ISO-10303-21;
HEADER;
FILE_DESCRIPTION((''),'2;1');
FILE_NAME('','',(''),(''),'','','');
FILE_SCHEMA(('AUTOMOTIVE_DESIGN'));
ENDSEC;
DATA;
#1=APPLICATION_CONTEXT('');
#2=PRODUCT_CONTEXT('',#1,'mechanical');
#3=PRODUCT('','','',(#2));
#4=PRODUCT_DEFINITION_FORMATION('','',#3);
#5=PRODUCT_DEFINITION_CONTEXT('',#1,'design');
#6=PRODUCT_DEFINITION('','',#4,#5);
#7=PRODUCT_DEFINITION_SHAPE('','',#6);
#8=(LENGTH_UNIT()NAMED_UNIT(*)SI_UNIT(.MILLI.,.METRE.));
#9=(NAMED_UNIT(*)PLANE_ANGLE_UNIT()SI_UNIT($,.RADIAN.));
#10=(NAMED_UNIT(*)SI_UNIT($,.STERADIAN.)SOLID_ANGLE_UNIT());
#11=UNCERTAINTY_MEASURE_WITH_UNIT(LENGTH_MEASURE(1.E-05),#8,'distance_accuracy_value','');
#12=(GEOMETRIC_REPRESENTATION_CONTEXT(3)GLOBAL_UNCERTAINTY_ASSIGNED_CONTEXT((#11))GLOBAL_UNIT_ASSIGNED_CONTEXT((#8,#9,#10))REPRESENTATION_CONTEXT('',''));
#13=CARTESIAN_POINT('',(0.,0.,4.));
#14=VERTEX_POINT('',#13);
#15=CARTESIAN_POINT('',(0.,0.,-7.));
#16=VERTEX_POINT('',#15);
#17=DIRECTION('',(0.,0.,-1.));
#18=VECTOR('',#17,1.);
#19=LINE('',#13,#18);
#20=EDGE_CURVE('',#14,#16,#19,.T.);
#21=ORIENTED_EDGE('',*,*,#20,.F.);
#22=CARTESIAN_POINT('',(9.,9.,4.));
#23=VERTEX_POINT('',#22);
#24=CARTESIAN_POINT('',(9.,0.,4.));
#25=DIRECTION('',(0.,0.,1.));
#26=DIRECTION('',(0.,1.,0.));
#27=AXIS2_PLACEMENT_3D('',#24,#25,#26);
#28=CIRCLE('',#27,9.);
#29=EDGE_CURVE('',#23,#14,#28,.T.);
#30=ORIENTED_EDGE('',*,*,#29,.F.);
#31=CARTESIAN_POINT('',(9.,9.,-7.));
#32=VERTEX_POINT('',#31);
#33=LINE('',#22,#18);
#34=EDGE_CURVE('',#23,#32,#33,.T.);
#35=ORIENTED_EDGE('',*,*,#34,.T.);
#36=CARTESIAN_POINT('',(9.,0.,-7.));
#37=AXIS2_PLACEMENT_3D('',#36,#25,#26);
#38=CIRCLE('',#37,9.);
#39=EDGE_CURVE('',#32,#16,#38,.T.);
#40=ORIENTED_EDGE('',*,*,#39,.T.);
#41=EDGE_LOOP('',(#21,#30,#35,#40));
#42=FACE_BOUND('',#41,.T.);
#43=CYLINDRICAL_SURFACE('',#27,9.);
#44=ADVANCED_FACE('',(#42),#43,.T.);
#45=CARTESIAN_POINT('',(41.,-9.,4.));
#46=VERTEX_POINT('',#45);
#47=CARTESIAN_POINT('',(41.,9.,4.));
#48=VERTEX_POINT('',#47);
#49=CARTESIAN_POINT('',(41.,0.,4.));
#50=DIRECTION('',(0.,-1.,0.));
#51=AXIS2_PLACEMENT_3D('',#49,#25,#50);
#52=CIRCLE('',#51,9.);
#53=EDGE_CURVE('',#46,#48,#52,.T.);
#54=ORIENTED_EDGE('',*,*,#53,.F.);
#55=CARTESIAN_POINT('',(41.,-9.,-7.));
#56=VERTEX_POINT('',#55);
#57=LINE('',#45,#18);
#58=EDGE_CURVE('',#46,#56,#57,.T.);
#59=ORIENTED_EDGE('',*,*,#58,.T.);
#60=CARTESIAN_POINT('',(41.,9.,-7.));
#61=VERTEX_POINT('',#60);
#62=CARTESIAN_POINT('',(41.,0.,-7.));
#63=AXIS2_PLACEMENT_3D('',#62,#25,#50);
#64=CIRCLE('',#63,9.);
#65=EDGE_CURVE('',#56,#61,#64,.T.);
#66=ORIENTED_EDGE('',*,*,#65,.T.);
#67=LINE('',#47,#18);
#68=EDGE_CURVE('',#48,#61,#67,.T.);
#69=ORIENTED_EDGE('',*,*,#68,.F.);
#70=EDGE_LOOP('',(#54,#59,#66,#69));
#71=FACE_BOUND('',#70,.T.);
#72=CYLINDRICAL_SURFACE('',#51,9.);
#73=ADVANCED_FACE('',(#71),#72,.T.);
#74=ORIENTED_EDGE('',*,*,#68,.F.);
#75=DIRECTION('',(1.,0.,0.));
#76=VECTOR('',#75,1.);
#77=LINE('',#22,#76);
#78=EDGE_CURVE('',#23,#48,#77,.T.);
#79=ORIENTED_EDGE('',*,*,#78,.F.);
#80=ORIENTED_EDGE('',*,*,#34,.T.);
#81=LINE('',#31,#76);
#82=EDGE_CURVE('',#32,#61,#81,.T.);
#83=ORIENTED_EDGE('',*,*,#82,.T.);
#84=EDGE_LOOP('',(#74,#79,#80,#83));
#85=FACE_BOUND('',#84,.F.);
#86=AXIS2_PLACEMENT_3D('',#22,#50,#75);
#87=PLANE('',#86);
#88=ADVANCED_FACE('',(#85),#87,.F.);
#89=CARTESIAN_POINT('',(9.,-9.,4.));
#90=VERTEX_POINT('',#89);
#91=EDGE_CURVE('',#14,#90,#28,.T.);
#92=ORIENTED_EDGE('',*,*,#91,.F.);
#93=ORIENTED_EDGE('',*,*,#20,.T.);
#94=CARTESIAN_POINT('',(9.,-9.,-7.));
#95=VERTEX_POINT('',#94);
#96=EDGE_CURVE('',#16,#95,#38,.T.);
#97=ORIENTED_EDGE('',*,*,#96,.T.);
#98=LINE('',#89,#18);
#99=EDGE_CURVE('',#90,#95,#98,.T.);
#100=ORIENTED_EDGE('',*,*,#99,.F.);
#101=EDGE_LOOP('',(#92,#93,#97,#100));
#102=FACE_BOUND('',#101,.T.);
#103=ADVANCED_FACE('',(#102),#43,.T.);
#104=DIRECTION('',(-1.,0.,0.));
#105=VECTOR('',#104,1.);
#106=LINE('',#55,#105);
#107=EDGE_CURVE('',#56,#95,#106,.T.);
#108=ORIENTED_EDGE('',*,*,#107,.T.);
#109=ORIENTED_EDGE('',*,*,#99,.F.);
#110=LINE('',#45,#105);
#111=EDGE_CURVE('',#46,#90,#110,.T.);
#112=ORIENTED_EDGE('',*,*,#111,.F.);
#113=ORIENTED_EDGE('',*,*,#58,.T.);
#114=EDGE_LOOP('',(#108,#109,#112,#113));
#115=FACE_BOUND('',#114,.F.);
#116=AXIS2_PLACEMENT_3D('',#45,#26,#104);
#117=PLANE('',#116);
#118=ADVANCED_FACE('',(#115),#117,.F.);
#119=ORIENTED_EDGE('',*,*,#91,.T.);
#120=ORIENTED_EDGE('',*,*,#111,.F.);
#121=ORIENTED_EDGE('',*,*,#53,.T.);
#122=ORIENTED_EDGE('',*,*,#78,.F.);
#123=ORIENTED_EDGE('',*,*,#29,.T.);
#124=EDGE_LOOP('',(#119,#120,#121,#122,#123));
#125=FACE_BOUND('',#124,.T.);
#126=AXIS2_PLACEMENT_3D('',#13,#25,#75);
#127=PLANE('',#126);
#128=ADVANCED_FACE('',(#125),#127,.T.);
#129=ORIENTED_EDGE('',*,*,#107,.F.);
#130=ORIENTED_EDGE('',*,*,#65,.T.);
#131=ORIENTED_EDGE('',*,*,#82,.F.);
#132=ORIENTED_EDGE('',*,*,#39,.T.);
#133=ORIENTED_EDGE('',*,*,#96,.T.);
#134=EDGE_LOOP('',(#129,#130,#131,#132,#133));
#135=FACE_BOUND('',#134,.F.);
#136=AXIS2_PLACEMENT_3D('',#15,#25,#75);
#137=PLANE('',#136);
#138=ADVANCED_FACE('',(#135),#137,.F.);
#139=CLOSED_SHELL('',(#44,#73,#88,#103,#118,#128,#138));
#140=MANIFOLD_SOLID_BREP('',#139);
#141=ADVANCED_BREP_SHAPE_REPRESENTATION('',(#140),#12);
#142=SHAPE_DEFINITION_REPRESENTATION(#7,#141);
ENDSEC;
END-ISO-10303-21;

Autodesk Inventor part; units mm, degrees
sketch "草图1" plane through (0, 0, 0) normal (0, 0, 1) x (1, 0, 0)
  line L0 (9, 9) -> (41, 9)
  line L1 (41, -9) -> (9, -9)
  arc A0 (9, 9) -> (9, -9) centre (9, 0) ccw
  line L2 (0, 9.4) -> (0, -7.4) projected
  line L3 (-5, 0) -> (30, 0) projected
  arc A1 (41, -9) -> (41, 9) centre (41, 0) ccw
  line L4 (50, 0) -> (50, 7) construction
  dimension "d0" = 9
  dimension "d8" = 9
  dimension "d9" = 50
ref_plane "Work Plane1" through (0, 0, -7) normal (0, 0, 1) x (1, 0, 0)
ref_plane "Work Plane2" through (0, 0, 4) normal (0, 0, 1) x (1, 0, 0)
extrude "轴承体1" add sketch "草图1" against normal up to surface (11 mm away) from surface at 4
ref_plane "Work Plane3" through (50, 0, 4) normal (1, 0, 0) x (0, 1, 0)
equation "\"d0\" = 0.5 * PB"
equation "\"d8\" = 0.5 * PB"
equation "\"d9\" = NLG"
equation "\"d1\" = -PNT"
equation "\"d2\" = PH - PNT"
equation "\"NLG\" = 50"
equation "\"PB\" = 18"
equation "\"PNT\" = 7"
equation "\"PH\" = 11"
equation "\"RR\" = 0.1"
equation "\"WDMIN\" = 58"
equation "\"PHH\" = 0"
equation "\"WDMAX\" = 65"
equation "\"PUEB\" = 4.4"
properties part number "IS 2048 - 1983 - 平键和键槽的规格 A 18 x 11 x 50" material "钢，软"
